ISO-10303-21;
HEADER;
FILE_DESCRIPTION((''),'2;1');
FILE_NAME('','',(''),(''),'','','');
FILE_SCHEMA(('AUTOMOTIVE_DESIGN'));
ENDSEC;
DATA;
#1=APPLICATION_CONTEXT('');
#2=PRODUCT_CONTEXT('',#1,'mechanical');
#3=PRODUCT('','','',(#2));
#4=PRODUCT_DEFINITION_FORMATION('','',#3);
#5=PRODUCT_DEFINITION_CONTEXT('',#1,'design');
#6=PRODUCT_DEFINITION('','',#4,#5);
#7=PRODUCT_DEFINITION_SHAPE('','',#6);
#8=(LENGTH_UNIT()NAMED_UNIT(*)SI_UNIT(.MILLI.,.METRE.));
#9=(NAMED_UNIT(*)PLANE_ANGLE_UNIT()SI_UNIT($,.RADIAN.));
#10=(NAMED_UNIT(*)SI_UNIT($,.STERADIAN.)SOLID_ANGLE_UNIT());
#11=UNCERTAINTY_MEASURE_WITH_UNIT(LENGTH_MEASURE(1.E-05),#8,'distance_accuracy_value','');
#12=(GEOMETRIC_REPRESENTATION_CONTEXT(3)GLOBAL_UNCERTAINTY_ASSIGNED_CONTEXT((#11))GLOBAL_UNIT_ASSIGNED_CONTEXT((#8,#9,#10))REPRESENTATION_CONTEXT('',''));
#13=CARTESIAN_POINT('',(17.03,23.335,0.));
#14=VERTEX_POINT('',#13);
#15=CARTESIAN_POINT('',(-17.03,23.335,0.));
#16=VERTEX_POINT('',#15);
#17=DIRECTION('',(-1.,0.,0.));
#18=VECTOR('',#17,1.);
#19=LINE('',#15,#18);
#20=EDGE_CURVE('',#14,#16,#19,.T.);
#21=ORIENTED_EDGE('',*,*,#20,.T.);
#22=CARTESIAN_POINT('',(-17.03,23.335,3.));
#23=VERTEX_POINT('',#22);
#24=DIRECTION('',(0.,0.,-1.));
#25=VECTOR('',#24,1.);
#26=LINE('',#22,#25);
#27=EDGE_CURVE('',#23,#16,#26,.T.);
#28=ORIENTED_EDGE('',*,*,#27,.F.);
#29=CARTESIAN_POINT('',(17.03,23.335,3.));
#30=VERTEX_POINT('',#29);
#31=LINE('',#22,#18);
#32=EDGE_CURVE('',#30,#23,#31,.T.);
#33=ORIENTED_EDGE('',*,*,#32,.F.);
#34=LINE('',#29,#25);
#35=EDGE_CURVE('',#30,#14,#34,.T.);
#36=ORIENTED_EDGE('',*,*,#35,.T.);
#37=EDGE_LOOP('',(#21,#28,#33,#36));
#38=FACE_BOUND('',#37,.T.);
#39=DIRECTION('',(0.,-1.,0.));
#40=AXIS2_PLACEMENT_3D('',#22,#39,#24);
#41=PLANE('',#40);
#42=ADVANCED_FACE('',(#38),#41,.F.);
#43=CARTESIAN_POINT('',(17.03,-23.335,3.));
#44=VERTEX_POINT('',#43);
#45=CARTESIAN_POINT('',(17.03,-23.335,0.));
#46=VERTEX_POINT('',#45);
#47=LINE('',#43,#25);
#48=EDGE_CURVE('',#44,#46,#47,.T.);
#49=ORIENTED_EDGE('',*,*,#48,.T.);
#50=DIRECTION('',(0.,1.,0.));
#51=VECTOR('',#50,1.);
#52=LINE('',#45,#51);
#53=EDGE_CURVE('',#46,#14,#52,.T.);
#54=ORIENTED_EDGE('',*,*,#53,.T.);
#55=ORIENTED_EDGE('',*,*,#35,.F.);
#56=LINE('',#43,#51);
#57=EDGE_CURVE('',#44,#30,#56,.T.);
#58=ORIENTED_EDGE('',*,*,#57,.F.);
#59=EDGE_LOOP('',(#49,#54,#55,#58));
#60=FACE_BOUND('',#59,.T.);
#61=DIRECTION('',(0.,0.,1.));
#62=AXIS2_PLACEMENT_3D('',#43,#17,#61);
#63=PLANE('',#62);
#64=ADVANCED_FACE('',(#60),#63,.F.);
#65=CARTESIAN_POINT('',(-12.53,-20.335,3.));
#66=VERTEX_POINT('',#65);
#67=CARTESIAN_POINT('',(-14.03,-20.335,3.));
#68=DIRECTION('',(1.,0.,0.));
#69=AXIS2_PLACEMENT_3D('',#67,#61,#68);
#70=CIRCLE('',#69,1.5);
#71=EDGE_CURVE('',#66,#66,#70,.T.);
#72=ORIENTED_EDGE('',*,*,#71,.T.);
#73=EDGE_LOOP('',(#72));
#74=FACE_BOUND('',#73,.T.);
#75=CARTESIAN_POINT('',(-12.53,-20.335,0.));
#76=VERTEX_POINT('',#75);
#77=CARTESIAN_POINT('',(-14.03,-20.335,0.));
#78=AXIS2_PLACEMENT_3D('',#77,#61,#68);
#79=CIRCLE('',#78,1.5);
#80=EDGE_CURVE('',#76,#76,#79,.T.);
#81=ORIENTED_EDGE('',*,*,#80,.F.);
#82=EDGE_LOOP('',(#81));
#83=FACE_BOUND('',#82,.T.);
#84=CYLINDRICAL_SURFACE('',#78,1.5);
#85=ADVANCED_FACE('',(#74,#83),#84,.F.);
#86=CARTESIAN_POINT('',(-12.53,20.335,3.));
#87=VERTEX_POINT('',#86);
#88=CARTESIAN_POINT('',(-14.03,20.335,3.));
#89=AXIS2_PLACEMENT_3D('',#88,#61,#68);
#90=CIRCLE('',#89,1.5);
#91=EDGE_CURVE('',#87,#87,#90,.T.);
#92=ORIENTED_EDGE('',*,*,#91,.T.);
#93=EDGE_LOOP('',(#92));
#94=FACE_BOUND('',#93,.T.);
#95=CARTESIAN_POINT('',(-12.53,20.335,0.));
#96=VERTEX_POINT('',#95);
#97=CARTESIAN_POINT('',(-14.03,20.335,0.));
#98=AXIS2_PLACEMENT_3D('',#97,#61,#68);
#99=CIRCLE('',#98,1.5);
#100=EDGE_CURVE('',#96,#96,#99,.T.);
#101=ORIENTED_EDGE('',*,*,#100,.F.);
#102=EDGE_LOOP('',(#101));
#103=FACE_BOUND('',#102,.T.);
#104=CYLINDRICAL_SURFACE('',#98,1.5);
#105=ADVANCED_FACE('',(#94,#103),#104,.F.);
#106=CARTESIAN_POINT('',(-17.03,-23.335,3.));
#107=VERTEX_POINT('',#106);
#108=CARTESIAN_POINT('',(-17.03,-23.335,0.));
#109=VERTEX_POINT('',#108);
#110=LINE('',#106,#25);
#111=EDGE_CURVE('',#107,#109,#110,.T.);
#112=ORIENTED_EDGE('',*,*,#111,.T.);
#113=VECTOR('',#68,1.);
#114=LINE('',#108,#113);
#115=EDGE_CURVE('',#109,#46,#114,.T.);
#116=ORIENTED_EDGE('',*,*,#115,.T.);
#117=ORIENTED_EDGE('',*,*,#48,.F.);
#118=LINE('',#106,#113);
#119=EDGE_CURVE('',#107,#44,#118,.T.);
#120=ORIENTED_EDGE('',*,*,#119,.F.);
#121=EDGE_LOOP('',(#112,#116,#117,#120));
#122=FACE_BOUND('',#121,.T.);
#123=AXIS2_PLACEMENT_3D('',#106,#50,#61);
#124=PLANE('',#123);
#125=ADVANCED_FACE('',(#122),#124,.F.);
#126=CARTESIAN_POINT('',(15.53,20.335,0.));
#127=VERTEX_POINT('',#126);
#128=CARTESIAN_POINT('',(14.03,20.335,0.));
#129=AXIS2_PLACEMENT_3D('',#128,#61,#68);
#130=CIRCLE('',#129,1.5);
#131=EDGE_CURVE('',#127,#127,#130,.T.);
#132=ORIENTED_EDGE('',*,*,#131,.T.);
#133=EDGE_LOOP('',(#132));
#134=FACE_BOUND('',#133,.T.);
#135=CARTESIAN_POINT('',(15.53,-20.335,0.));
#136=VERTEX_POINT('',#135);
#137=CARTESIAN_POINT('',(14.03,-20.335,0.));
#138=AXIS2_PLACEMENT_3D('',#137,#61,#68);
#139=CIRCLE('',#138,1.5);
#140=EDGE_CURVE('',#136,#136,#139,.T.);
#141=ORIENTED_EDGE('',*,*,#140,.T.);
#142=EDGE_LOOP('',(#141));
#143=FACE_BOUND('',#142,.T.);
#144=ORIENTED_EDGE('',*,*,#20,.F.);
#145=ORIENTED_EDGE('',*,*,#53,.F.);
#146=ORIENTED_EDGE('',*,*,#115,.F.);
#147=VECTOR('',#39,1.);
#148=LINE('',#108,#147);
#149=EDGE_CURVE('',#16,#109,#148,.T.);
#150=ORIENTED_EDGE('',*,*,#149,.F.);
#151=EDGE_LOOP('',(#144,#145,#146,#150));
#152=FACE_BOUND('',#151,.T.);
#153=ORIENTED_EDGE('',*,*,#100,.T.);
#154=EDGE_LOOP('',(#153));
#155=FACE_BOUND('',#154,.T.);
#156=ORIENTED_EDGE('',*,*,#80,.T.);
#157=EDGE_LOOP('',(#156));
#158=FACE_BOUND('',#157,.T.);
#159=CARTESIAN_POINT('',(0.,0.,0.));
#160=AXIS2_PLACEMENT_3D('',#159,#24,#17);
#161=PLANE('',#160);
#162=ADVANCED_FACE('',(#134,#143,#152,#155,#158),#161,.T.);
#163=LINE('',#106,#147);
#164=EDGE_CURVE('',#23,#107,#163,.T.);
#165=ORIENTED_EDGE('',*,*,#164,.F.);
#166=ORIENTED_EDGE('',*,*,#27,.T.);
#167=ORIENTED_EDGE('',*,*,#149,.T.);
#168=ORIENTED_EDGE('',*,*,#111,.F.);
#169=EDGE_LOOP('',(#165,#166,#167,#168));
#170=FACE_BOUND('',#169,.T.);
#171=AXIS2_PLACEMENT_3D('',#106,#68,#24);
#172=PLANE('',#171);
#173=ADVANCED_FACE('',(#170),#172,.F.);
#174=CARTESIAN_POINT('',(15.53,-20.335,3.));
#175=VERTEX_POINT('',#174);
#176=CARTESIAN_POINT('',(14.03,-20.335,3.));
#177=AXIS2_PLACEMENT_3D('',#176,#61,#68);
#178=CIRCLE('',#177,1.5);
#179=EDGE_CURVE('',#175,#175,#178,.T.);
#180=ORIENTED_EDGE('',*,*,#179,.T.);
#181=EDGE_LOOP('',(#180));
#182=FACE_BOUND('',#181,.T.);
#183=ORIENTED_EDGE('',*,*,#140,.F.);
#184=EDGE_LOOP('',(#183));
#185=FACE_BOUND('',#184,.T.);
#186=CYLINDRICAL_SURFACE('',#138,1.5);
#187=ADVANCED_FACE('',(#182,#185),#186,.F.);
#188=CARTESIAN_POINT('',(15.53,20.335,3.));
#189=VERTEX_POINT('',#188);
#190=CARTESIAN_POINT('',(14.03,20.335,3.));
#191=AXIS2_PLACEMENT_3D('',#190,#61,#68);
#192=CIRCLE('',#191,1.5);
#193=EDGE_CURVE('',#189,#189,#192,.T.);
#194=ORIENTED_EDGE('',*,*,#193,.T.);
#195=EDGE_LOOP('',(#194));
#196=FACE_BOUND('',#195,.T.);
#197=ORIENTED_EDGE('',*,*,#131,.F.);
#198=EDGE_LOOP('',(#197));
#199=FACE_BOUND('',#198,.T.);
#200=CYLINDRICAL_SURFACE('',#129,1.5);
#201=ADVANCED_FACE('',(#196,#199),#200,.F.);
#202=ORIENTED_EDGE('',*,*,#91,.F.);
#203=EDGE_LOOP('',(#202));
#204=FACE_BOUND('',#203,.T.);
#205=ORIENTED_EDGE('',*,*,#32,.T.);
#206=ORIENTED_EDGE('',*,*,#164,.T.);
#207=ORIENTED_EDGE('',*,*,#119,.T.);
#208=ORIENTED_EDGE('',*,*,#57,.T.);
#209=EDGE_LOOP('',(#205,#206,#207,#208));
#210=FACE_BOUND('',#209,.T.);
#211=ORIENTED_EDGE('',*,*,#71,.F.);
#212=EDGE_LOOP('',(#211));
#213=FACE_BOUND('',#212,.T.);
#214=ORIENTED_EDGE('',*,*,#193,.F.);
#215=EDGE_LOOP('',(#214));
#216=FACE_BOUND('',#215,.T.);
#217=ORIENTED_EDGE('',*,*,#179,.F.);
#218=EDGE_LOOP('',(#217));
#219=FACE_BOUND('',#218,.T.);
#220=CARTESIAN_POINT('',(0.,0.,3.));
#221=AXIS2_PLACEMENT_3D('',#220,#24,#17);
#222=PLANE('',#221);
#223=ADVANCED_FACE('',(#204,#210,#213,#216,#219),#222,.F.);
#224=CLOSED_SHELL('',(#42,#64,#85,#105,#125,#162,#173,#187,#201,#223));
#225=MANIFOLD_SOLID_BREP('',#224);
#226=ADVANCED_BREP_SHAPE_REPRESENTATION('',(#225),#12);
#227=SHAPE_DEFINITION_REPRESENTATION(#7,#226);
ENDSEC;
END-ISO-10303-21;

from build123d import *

# Parameters (mm, degrees)
SKETCH1_W           = 34.06
SKETCH1_H           = 46.67
BOSS_EXTRUDE1_DEPTH = 3
SKETCH2_R           = 1.5
CUT_EXTRUDE1_DEPTH  = 30.043813885


with BuildPart() as part:
    # Sketch1 → Boss-Extrude1 (new body)
    with BuildSketch(Plane.XY):
        Rectangle(SKETCH1_W, SKETCH1_H)
    extrude(amount=BOSS_EXTRUDE1_DEPTH)

    # Sketch2 → Cut-Extrude1 (cut, through all)
    with BuildSketch(Plane.XY.offset(3)):
        with Locations((-14.03, 20.335)):
            Circle(SKETCH2_R)
        with Locations((14.03, 20.335)):
            Circle(SKETCH2_R)
        with Locations((14.03, -20.335)):
            Circle(SKETCH2_R)
        with Locations((-14.03, -20.335)):
            Circle(SKETCH2_R)
    extrude(amount=-CUT_EXTRUDE1_DEPTH, mode=Mode.SUBTRACT)


solid = part.part
